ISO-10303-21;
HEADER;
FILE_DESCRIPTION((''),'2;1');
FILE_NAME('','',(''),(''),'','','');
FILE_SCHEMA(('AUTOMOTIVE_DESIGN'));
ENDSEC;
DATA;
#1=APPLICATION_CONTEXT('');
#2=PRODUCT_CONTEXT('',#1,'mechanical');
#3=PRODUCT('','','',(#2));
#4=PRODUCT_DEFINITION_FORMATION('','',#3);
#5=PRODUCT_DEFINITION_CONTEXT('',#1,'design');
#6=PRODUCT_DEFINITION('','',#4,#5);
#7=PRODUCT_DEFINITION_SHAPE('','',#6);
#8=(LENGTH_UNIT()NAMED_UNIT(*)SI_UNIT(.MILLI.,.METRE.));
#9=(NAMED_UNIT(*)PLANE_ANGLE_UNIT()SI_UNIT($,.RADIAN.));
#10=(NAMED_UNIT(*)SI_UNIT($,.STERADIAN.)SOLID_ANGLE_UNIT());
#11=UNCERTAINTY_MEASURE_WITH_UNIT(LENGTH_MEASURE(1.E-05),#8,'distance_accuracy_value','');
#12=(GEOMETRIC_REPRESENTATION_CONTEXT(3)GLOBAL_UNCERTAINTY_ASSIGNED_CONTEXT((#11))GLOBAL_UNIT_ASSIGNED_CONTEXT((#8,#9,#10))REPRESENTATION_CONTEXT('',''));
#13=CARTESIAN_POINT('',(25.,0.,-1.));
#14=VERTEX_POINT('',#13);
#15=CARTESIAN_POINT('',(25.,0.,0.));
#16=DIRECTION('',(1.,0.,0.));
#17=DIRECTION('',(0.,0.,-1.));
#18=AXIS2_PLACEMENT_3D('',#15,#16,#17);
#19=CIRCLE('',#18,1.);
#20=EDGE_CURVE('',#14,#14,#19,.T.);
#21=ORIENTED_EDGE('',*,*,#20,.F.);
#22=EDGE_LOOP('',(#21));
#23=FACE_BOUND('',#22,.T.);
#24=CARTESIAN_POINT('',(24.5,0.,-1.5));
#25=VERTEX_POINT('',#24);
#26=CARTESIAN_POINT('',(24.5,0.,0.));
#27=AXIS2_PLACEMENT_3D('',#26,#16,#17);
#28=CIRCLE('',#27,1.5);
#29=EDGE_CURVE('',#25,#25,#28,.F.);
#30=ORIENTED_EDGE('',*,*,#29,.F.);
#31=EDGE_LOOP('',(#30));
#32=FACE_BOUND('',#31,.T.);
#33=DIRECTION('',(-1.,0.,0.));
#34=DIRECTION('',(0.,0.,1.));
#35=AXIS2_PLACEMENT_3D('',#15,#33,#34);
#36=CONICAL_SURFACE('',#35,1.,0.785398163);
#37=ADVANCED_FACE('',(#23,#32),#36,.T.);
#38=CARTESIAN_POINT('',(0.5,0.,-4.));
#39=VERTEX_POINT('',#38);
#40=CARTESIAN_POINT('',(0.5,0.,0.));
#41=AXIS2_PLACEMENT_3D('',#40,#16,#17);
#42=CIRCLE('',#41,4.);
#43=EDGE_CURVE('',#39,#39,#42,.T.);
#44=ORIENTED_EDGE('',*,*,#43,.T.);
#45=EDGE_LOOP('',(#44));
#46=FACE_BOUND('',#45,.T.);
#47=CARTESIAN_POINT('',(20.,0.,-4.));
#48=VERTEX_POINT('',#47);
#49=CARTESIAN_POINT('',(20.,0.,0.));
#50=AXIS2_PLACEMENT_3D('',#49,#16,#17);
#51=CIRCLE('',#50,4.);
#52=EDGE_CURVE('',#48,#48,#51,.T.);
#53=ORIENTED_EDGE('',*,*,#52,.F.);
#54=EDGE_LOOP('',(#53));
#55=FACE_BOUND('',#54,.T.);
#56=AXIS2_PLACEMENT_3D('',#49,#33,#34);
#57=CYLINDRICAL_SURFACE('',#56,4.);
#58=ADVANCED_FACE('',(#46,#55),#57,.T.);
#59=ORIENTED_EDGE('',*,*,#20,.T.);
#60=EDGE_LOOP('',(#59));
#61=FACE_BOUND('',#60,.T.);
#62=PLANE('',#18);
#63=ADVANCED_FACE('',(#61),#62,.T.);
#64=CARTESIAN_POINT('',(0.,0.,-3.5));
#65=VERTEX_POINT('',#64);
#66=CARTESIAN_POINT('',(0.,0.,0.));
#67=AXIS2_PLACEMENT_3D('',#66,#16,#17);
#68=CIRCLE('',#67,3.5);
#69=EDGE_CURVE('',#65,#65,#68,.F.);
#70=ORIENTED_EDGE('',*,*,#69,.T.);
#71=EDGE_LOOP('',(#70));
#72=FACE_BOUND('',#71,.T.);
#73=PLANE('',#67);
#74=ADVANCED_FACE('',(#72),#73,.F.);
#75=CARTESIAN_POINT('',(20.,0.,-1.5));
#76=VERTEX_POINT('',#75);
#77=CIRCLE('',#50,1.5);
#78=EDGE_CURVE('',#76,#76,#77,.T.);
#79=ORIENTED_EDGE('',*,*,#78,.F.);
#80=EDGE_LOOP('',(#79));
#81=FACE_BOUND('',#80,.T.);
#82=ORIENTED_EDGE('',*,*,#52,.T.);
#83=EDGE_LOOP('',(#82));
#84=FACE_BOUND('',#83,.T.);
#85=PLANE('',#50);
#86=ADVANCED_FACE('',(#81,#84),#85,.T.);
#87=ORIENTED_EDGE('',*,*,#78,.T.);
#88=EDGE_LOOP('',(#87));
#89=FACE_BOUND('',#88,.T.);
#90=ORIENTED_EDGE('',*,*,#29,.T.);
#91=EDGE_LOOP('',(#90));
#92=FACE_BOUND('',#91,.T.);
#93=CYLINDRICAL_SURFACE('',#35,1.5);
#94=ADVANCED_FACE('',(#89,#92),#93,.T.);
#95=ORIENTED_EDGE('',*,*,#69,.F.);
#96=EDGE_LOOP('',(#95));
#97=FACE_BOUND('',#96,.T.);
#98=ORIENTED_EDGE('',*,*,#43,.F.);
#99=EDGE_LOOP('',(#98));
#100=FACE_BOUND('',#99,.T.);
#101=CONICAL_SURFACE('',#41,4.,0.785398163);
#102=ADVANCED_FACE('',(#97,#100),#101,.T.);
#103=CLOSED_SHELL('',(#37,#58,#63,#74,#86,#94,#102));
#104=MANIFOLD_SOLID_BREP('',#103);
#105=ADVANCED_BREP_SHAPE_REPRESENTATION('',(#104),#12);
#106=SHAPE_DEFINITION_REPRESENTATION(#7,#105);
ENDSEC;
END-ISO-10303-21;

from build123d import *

# Parameters (mm, degrees)
CROQUIS1_R              = 4
SALIENTE_EXTRUIR1_DEPTH = 20
CROQUIS2_R              = 1.5
SALIENTE_EXTRUIR2_DEPTH = 5
CHAFL_N1_SIZE           = 0.5
CHAFL_N2_SIZE           = 0.5


with BuildPart() as part:
    # Croquis1 → Saliente-Extruir1 (new body)
    with BuildSketch(Plane(origin=(0, 0, 0), x_dir=(0, 0, -1), z_dir=(1, 0, 0))):
        Circle(CROQUIS1_R)
    extrude(amount=SALIENTE_EXTRUIR1_DEPTH)

    # Croquis2 → Saliente-Extruir2 (add)
    with BuildSketch(Plane(origin=(20, 0, 0), x_dir=(0, 0, -1), z_dir=(1, 0, 0))):
        Circle(CROQUIS2_R)
    extrude(amount=SALIENTE_EXTRUIR2_DEPTH)

    # Chaflán1
    chafl_n1_edges = [part.edges().sort_by_distance(p)[0] for p in [
        (0, 0, 4),
    ]]
    chamfer(chafl_n1_edges, length=CHAFL_N1_SIZE)

    # Chaflán2
    chafl_n2_edges = [part.edges().sort_by_distance(p)[0] for p in [
        (25, 0, 1.5),
    ]]
    chamfer(chafl_n2_edges, length=CHAFL_N2_SIZE)


solid = part.part
